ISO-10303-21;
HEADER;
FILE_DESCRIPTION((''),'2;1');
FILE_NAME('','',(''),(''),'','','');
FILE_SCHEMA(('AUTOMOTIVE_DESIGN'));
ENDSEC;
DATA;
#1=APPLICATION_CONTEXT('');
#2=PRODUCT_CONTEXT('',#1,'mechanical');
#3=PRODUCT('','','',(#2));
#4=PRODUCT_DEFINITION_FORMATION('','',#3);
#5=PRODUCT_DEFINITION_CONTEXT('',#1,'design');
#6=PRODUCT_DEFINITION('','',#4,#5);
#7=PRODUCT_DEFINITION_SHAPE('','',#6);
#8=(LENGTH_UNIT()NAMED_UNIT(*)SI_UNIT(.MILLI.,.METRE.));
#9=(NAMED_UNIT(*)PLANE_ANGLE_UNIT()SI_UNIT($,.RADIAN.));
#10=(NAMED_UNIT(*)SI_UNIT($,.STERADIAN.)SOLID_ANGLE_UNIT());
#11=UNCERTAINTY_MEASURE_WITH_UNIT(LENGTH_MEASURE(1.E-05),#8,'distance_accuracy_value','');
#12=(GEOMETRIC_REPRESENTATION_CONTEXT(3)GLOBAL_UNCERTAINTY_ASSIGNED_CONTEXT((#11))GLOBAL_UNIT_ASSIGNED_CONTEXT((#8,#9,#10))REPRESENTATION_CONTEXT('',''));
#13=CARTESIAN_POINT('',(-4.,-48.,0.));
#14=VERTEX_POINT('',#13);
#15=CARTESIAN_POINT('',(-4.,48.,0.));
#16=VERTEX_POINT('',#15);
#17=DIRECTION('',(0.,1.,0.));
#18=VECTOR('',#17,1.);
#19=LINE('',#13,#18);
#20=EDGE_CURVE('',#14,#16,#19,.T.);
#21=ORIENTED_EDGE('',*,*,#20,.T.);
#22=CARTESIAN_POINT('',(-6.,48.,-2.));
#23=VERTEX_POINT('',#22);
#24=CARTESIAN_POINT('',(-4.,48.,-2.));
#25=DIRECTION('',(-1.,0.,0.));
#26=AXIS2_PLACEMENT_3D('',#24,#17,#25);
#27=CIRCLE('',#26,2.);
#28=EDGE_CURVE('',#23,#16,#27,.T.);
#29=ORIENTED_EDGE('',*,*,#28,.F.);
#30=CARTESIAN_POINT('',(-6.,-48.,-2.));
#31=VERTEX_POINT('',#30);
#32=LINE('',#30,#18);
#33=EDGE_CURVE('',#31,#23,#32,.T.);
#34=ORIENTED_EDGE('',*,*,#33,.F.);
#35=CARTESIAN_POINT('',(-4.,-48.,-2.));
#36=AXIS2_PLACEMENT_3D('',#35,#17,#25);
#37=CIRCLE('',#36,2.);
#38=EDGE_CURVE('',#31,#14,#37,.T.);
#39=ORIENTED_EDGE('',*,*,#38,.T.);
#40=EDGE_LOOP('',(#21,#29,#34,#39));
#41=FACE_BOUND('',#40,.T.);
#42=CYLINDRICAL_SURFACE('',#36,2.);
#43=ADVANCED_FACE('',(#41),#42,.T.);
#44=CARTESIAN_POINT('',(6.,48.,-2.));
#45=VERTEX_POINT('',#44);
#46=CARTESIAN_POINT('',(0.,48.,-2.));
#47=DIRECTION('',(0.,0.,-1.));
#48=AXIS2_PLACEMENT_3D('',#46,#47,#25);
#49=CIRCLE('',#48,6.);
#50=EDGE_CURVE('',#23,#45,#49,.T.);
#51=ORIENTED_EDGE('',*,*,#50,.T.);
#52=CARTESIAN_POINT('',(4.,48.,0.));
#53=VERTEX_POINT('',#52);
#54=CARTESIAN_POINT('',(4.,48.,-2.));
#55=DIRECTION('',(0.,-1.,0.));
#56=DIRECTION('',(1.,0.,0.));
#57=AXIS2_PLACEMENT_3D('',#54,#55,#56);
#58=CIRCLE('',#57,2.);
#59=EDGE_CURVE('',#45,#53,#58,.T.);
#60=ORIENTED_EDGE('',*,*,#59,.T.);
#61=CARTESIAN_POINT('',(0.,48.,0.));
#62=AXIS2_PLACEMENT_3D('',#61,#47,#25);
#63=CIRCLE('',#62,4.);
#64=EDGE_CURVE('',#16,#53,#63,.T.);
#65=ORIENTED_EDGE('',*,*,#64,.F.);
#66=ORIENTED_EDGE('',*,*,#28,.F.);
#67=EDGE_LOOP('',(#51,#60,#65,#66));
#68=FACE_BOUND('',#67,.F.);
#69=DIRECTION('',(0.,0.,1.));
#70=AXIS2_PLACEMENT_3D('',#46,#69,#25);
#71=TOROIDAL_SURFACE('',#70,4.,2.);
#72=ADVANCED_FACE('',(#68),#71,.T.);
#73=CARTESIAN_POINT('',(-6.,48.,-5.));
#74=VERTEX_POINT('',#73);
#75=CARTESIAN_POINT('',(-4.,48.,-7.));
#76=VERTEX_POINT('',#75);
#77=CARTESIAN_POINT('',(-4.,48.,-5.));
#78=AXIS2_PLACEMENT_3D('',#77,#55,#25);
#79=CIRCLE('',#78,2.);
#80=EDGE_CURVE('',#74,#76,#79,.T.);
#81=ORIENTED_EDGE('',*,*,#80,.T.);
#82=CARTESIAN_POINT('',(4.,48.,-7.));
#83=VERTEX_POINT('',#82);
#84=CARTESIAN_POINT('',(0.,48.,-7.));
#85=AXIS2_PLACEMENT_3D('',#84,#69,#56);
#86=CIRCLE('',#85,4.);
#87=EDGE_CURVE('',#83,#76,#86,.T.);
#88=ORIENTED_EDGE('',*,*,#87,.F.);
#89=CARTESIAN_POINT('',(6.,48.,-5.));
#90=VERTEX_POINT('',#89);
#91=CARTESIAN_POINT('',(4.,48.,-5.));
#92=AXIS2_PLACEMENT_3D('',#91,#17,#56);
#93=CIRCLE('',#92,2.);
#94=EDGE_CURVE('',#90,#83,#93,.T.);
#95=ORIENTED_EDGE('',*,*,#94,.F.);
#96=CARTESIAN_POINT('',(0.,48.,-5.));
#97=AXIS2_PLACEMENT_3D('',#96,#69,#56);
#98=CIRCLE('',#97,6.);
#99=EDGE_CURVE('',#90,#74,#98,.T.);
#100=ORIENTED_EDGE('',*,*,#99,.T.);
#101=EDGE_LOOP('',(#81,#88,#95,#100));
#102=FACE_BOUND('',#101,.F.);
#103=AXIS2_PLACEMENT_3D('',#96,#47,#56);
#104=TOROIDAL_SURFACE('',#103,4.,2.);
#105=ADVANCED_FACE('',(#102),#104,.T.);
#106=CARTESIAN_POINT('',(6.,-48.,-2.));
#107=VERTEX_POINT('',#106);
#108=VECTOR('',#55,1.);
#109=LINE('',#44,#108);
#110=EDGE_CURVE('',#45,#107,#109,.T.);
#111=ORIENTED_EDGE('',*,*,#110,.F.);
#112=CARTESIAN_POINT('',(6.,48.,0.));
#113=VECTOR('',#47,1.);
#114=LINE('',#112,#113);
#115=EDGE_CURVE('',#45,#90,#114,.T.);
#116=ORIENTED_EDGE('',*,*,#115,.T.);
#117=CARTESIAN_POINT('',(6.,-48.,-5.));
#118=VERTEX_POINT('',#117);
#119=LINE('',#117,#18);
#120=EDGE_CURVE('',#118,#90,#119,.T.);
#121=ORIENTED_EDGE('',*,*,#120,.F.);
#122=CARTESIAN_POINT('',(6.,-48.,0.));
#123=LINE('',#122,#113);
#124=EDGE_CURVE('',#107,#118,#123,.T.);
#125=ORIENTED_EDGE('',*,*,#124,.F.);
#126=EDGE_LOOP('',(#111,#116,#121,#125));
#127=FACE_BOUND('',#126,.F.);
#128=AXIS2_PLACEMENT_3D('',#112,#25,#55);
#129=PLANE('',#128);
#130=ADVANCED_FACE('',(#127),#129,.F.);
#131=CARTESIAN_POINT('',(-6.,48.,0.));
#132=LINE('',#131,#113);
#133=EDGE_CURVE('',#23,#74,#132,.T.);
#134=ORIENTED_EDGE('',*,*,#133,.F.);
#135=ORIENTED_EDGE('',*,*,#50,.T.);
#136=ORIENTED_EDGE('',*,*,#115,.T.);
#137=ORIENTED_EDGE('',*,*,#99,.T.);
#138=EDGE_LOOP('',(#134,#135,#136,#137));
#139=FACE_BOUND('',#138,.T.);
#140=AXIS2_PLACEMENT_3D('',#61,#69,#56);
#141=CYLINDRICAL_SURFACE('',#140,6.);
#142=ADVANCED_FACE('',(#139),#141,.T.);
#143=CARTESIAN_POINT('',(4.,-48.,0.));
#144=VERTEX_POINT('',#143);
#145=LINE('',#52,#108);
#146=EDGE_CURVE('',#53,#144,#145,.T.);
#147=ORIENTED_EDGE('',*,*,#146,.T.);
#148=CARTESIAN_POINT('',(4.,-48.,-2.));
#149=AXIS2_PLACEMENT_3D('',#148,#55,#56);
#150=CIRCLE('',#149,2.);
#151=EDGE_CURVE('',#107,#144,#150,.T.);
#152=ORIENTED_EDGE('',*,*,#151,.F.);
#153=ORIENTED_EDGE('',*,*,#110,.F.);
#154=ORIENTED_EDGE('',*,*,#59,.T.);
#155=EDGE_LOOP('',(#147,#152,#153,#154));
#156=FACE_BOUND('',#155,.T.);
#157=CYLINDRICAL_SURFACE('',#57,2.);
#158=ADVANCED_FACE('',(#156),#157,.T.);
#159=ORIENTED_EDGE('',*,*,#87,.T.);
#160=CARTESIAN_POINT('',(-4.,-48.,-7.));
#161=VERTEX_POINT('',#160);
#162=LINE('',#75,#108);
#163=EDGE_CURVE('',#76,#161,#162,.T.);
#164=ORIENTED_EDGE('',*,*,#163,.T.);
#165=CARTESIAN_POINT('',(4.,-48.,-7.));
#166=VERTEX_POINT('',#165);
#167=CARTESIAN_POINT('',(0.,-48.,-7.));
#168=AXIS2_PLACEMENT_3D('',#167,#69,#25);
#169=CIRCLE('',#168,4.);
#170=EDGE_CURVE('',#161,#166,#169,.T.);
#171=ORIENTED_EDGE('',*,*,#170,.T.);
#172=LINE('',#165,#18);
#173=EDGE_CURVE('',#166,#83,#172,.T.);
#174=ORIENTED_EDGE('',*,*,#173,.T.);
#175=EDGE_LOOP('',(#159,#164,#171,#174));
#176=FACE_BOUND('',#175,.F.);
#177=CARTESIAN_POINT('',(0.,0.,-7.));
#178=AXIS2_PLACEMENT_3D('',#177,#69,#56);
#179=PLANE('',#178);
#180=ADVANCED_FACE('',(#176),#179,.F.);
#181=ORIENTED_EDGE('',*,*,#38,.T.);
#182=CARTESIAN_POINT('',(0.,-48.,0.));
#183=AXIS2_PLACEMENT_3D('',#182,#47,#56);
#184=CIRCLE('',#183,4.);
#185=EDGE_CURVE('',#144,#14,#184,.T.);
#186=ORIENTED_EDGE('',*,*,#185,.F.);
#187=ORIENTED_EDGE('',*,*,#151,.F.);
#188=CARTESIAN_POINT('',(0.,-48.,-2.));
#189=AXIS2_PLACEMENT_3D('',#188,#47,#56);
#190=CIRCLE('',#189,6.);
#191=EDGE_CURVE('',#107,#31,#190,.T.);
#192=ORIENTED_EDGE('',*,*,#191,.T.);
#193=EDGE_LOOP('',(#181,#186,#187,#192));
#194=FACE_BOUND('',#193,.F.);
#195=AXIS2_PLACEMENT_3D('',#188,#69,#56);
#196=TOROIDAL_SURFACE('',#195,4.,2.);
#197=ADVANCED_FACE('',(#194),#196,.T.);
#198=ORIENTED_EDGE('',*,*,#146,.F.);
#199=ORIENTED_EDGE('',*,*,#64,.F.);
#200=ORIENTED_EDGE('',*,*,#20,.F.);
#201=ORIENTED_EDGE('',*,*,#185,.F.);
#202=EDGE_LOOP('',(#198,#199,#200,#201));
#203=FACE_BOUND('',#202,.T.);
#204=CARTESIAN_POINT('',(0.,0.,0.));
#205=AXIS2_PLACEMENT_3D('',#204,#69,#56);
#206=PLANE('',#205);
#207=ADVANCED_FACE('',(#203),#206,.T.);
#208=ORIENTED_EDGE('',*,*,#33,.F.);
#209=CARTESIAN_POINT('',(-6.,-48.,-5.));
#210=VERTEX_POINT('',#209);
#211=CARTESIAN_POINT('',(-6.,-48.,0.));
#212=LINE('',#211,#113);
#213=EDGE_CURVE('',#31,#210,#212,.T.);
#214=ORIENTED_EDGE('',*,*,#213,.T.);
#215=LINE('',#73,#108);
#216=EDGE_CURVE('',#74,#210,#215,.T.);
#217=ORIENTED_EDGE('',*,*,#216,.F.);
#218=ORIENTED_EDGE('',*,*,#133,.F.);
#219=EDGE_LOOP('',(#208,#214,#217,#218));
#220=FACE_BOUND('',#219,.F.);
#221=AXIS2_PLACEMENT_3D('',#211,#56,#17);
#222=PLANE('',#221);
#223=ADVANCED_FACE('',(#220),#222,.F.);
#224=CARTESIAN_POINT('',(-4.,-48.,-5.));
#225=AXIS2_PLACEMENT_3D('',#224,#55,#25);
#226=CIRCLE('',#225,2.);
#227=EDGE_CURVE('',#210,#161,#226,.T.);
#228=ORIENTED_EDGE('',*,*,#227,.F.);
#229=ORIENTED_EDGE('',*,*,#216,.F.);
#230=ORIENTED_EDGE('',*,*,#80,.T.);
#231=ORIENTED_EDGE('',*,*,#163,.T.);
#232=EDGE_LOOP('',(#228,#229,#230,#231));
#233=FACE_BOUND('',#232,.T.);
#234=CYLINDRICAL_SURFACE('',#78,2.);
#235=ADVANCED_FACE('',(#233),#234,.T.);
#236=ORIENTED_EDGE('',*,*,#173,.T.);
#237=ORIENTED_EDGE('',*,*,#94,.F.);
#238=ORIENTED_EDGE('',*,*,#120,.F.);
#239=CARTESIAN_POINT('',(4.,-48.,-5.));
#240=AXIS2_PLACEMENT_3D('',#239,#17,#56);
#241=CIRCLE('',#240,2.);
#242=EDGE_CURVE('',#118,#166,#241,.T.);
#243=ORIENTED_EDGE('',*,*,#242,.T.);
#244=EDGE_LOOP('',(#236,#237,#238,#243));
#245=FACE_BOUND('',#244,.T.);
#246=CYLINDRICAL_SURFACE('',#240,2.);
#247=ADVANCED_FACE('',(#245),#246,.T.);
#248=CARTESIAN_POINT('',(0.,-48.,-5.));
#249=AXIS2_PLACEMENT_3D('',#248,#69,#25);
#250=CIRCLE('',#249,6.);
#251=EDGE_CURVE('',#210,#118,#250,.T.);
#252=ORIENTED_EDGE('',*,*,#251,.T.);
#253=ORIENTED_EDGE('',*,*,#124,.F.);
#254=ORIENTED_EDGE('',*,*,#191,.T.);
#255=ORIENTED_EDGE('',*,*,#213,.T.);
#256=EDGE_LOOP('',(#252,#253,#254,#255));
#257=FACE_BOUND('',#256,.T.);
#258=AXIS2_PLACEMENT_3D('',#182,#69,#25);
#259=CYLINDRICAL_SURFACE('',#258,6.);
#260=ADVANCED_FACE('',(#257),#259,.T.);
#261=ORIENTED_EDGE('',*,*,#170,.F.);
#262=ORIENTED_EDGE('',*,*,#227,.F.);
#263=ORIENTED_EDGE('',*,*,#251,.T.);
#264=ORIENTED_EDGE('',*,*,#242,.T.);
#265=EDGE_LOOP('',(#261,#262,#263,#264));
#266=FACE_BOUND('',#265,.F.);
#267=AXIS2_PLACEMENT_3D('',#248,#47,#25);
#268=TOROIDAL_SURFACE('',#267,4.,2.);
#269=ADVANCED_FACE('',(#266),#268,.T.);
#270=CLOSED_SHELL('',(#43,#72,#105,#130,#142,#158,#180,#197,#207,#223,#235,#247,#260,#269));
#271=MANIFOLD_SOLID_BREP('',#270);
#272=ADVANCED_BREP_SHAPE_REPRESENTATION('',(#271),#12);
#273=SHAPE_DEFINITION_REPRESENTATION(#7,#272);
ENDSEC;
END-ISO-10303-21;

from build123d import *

# Parameters (mm, degrees)
EXTRUDE_DEPTH = 7
FILLET_R      = 2
FILLET001_R   = 2


with BuildPart() as part:
    # Sketch → Extrude (new body)
    with BuildSketch(Plane.XY):
        with BuildLine():
            ThreePointArc((-6, -48), (0, -54), (6, -48))
            Line((6, 48), (6, -48))
            ThreePointArc((6, 48), (0, 54), (-6, 48))
            Line((-6, -48), (-6, 48))
        make_face()
    extrude(amount=-EXTRUDE_DEPTH)

    # Fillet
    fillet_edges = [part.edges().sort_by_distance(p)[0] for p in [
        (0, -54, -7),
        (6, 0, -7),
        (0, 54, -7),
        (-6, 0, -7),
    ]]
    fillet(fillet_edges, radius=FILLET_R)

    # Fillet001
    fillet001_edges = [part.edges().sort_by_distance(p)[0] for p in [
        (-6, 0, 0),
        (6, 0, 0),
    ]]
    fillet(fillet001_edges, radius=FILLET001_R)


solid = part.part
